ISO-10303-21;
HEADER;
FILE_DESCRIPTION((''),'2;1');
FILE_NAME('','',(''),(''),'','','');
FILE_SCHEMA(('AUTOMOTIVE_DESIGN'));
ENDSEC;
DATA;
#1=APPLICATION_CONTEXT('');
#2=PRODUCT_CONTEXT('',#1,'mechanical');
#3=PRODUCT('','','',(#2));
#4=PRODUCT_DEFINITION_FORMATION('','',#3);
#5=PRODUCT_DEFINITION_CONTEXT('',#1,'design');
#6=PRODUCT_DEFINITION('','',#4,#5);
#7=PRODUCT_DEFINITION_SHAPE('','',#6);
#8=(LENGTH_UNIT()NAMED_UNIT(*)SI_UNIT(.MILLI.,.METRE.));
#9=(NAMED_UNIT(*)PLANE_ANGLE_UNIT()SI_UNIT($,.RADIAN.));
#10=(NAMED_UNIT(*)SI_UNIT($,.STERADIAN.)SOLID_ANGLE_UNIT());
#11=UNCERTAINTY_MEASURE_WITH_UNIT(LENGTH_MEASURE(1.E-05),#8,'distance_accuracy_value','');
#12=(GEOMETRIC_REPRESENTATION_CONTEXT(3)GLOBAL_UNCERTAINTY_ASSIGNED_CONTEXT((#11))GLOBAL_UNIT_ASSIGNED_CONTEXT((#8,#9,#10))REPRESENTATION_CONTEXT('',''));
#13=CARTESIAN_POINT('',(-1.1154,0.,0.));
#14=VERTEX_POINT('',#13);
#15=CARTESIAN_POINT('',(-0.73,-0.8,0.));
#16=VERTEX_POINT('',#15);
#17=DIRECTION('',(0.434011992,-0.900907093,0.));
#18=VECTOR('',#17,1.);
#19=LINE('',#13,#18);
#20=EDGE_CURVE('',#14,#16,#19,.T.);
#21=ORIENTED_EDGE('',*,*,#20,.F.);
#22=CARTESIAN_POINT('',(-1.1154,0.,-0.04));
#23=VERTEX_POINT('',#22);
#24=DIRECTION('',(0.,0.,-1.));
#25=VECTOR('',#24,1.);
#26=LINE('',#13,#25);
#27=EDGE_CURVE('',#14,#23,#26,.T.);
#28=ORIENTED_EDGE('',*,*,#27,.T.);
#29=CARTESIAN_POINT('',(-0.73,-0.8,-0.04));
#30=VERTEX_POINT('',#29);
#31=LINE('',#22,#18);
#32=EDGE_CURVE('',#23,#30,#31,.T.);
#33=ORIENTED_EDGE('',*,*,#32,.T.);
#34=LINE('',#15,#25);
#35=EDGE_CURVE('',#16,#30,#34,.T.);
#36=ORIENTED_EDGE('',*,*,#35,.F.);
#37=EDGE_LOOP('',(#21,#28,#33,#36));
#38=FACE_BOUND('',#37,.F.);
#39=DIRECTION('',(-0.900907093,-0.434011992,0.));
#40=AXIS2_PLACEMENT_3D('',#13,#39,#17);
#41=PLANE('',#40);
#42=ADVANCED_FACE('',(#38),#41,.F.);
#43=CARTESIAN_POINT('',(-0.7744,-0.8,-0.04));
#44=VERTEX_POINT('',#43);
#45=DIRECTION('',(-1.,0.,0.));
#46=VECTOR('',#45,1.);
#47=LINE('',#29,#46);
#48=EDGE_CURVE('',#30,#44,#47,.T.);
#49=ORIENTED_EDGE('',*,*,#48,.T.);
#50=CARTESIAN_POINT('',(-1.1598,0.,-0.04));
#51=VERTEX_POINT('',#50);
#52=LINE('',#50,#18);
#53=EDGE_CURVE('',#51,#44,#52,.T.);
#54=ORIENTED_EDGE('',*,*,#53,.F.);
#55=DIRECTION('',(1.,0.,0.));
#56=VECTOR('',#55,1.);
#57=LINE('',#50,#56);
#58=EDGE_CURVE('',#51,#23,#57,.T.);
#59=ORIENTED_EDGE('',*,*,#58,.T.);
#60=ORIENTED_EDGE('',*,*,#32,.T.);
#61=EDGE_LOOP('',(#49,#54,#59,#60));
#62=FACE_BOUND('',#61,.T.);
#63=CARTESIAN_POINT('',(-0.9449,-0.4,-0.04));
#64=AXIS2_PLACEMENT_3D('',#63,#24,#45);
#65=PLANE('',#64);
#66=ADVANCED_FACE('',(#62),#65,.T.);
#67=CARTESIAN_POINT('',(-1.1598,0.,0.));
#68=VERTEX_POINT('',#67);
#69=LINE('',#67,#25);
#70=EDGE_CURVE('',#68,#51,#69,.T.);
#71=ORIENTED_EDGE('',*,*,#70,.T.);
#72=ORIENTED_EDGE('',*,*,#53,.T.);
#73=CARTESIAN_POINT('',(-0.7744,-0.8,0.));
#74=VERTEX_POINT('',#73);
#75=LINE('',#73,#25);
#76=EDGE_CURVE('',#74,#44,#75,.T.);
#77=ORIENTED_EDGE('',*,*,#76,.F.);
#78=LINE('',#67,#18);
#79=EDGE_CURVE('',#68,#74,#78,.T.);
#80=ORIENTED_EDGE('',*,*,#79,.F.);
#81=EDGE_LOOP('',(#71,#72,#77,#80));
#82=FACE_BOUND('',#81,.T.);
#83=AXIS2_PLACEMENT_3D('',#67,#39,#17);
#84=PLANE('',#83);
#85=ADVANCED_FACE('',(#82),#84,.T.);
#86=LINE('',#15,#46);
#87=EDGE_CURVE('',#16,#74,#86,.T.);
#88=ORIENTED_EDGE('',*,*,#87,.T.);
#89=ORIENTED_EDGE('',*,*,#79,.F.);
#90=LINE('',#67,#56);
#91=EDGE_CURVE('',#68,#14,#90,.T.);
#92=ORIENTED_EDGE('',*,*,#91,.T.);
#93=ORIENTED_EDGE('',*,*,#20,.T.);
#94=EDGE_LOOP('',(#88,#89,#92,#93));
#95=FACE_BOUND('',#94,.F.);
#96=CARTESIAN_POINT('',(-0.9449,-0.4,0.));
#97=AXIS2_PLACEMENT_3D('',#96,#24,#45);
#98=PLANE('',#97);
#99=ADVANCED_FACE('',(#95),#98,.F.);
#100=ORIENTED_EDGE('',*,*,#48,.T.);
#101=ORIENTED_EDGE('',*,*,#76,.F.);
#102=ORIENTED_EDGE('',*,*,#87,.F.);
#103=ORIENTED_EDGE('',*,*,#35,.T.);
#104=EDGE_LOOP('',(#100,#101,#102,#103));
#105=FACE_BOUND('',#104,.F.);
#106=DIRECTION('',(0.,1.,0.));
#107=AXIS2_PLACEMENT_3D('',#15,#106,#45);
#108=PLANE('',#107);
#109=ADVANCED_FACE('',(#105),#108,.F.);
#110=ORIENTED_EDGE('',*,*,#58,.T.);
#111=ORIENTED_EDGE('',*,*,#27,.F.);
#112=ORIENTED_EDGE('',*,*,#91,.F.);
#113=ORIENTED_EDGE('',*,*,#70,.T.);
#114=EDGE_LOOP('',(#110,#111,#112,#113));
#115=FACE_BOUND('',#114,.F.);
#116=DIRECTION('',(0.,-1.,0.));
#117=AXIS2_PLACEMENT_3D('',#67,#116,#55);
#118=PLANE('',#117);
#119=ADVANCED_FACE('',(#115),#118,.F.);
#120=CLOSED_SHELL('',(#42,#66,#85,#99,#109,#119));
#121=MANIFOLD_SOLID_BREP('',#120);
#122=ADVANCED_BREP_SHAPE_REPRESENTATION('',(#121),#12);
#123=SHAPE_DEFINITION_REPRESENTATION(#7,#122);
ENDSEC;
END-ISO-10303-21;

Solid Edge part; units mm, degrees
sketch "Sketch1" plane through (0, 0, 0) normal (0, 0, 1) x (1, 0, 0)
  line L0 (-1.1598, 0) -> (-1.1154, 0)
  line L1 (-1.1154, 0) -> (-0.73, -0.8)
  line L2 (-0.73, -0.8) -> (-0.7744, -0.8)
  line L3 (-1.1598, 0) -> (-0.7744, -0.8)
  dimension "D1" = 0.04
extrude "Protrusion1" add sketch "Sketch1" against normal blind 0.04
